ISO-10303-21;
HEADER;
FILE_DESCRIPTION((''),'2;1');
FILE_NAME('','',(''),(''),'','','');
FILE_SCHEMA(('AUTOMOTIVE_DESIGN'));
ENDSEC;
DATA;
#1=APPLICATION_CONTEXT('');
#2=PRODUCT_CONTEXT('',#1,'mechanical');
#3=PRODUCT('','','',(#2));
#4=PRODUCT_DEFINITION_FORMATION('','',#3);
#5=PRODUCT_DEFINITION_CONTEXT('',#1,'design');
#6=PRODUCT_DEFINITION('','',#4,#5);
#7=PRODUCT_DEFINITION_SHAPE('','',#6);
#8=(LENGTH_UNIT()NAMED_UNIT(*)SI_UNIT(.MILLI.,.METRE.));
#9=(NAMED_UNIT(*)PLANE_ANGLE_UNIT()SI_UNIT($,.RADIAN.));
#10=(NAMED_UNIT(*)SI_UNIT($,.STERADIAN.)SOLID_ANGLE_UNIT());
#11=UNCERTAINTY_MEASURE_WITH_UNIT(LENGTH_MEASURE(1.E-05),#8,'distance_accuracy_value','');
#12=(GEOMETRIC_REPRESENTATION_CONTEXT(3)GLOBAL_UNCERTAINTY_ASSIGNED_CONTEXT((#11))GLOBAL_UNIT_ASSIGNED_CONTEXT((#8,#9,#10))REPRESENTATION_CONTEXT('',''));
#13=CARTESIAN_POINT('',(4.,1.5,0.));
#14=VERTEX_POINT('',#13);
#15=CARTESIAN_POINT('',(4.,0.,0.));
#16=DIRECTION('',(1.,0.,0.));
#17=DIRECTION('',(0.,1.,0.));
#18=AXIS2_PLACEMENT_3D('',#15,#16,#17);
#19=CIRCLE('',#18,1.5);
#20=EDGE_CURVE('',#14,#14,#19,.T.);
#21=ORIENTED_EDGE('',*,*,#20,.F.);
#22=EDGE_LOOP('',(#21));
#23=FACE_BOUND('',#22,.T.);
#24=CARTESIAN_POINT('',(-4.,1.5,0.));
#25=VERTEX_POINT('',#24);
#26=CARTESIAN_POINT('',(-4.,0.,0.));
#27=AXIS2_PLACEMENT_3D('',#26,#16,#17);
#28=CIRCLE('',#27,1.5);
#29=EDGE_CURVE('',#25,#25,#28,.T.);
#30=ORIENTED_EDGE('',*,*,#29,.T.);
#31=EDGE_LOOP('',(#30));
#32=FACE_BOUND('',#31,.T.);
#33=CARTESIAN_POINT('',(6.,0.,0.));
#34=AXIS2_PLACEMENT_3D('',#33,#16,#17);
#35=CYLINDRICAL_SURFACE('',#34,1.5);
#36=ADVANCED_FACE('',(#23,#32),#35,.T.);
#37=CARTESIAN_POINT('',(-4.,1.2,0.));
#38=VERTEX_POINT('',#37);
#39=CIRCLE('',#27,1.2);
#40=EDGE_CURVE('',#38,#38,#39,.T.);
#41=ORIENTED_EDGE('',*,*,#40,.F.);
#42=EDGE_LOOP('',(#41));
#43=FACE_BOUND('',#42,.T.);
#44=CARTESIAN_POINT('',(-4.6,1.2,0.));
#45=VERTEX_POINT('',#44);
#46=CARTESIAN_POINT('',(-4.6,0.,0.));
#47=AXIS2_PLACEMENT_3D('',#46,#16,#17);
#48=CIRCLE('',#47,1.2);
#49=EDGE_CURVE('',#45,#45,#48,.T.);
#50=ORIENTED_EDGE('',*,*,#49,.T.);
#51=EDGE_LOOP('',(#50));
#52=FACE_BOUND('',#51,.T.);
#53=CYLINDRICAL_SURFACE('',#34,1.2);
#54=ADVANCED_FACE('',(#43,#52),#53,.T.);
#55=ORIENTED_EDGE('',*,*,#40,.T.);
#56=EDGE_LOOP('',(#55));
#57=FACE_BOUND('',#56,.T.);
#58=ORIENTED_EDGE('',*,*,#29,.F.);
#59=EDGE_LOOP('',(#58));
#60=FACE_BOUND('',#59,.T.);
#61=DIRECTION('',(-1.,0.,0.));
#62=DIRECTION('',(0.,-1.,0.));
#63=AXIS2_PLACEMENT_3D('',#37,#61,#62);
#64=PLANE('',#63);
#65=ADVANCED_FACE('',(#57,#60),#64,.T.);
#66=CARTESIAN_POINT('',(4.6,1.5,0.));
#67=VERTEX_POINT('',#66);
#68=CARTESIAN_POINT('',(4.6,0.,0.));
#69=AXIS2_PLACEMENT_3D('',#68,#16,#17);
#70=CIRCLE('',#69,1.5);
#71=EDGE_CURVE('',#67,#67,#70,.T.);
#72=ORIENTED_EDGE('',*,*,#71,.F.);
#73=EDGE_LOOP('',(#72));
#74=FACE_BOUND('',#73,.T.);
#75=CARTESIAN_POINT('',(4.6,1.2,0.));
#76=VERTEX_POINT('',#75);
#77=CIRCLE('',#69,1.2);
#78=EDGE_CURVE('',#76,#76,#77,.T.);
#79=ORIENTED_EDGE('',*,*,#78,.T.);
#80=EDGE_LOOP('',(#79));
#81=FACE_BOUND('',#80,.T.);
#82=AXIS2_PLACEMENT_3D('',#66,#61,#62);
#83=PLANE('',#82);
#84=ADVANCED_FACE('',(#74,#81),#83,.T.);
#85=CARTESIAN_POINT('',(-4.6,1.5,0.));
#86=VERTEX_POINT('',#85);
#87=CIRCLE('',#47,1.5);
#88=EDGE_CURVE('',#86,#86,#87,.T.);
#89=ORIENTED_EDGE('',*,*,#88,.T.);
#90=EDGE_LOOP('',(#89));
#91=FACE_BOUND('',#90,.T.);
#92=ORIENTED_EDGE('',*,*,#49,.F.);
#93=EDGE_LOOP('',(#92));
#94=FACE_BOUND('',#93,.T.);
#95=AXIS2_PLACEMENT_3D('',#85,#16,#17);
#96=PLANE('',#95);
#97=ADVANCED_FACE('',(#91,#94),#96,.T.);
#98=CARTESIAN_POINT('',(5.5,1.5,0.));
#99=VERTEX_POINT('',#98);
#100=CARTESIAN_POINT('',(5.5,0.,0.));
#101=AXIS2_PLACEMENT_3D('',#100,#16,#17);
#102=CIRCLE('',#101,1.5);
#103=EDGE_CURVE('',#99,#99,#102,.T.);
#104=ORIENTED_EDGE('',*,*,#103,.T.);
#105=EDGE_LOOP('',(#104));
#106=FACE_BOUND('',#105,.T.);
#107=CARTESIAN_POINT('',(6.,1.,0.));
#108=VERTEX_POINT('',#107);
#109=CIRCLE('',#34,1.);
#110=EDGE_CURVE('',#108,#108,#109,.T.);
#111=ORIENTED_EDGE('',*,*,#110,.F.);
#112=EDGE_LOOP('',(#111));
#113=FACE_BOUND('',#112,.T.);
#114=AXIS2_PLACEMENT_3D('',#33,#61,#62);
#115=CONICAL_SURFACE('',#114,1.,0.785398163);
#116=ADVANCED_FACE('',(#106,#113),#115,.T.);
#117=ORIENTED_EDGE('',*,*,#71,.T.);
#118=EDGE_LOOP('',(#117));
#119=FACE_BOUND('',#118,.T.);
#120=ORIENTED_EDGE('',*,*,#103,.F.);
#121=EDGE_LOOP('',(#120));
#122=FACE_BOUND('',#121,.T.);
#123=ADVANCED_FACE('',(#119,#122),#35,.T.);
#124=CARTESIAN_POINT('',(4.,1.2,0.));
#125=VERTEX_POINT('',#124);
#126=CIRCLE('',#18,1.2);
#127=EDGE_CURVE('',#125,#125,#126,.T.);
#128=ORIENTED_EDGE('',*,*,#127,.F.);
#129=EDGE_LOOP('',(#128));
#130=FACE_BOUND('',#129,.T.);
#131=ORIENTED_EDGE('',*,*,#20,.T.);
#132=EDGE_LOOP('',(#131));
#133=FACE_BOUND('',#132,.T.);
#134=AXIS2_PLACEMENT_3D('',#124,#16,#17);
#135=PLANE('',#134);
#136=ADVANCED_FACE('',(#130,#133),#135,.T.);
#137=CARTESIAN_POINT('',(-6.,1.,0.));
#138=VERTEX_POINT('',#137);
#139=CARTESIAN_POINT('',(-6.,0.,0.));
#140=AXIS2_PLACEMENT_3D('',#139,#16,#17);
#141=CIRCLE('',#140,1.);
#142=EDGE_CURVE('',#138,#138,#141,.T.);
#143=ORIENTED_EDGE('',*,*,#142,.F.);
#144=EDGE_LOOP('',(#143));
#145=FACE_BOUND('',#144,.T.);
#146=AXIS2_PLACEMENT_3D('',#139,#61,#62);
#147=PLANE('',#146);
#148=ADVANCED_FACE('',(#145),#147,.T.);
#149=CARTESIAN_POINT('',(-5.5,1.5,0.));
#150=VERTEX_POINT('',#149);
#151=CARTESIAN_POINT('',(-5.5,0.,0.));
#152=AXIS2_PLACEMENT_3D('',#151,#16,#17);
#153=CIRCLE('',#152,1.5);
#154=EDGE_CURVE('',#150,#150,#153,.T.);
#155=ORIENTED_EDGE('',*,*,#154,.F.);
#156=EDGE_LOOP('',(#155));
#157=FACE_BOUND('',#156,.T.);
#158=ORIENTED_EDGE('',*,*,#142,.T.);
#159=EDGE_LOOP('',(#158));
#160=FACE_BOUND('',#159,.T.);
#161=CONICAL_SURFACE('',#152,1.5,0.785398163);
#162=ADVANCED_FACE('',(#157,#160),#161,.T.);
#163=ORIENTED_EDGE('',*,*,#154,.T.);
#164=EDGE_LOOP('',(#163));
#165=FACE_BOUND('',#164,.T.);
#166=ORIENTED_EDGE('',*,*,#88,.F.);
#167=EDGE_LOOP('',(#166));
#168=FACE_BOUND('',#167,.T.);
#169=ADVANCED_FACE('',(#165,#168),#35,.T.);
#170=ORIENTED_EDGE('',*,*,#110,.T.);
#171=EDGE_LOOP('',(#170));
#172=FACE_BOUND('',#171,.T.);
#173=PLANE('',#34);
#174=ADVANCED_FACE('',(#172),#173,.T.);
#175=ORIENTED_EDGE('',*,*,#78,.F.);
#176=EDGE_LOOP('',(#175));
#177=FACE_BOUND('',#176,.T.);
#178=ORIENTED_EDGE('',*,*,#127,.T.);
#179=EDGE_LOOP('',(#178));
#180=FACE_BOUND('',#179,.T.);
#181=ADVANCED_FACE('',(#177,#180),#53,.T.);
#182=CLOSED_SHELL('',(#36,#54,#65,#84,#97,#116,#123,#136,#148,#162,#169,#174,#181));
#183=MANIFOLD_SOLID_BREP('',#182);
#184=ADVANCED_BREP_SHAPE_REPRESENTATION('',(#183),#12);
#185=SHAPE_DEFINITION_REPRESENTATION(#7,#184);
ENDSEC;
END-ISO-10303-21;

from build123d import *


with BuildPart() as part:
    # 草图1 → 旋转1 (revolve)
    with BuildSketch(Plane.XY):
        Polygon((6, 0), (-6, 0), (-6, 1), (-5.5, 1.5), (-4.6, 1.5), (-4.6, 1.2), (-4, 1.2), (-4, 1.5), (4, 1.5), (4, 1.2), (4.6, 1.2), (4.6, 1.5), (5.5, 1.5), (6, 1), align=None)
    revolve(axis=Axis((6, 0, 0), (-1, 0, 0)))


solid = part.part
